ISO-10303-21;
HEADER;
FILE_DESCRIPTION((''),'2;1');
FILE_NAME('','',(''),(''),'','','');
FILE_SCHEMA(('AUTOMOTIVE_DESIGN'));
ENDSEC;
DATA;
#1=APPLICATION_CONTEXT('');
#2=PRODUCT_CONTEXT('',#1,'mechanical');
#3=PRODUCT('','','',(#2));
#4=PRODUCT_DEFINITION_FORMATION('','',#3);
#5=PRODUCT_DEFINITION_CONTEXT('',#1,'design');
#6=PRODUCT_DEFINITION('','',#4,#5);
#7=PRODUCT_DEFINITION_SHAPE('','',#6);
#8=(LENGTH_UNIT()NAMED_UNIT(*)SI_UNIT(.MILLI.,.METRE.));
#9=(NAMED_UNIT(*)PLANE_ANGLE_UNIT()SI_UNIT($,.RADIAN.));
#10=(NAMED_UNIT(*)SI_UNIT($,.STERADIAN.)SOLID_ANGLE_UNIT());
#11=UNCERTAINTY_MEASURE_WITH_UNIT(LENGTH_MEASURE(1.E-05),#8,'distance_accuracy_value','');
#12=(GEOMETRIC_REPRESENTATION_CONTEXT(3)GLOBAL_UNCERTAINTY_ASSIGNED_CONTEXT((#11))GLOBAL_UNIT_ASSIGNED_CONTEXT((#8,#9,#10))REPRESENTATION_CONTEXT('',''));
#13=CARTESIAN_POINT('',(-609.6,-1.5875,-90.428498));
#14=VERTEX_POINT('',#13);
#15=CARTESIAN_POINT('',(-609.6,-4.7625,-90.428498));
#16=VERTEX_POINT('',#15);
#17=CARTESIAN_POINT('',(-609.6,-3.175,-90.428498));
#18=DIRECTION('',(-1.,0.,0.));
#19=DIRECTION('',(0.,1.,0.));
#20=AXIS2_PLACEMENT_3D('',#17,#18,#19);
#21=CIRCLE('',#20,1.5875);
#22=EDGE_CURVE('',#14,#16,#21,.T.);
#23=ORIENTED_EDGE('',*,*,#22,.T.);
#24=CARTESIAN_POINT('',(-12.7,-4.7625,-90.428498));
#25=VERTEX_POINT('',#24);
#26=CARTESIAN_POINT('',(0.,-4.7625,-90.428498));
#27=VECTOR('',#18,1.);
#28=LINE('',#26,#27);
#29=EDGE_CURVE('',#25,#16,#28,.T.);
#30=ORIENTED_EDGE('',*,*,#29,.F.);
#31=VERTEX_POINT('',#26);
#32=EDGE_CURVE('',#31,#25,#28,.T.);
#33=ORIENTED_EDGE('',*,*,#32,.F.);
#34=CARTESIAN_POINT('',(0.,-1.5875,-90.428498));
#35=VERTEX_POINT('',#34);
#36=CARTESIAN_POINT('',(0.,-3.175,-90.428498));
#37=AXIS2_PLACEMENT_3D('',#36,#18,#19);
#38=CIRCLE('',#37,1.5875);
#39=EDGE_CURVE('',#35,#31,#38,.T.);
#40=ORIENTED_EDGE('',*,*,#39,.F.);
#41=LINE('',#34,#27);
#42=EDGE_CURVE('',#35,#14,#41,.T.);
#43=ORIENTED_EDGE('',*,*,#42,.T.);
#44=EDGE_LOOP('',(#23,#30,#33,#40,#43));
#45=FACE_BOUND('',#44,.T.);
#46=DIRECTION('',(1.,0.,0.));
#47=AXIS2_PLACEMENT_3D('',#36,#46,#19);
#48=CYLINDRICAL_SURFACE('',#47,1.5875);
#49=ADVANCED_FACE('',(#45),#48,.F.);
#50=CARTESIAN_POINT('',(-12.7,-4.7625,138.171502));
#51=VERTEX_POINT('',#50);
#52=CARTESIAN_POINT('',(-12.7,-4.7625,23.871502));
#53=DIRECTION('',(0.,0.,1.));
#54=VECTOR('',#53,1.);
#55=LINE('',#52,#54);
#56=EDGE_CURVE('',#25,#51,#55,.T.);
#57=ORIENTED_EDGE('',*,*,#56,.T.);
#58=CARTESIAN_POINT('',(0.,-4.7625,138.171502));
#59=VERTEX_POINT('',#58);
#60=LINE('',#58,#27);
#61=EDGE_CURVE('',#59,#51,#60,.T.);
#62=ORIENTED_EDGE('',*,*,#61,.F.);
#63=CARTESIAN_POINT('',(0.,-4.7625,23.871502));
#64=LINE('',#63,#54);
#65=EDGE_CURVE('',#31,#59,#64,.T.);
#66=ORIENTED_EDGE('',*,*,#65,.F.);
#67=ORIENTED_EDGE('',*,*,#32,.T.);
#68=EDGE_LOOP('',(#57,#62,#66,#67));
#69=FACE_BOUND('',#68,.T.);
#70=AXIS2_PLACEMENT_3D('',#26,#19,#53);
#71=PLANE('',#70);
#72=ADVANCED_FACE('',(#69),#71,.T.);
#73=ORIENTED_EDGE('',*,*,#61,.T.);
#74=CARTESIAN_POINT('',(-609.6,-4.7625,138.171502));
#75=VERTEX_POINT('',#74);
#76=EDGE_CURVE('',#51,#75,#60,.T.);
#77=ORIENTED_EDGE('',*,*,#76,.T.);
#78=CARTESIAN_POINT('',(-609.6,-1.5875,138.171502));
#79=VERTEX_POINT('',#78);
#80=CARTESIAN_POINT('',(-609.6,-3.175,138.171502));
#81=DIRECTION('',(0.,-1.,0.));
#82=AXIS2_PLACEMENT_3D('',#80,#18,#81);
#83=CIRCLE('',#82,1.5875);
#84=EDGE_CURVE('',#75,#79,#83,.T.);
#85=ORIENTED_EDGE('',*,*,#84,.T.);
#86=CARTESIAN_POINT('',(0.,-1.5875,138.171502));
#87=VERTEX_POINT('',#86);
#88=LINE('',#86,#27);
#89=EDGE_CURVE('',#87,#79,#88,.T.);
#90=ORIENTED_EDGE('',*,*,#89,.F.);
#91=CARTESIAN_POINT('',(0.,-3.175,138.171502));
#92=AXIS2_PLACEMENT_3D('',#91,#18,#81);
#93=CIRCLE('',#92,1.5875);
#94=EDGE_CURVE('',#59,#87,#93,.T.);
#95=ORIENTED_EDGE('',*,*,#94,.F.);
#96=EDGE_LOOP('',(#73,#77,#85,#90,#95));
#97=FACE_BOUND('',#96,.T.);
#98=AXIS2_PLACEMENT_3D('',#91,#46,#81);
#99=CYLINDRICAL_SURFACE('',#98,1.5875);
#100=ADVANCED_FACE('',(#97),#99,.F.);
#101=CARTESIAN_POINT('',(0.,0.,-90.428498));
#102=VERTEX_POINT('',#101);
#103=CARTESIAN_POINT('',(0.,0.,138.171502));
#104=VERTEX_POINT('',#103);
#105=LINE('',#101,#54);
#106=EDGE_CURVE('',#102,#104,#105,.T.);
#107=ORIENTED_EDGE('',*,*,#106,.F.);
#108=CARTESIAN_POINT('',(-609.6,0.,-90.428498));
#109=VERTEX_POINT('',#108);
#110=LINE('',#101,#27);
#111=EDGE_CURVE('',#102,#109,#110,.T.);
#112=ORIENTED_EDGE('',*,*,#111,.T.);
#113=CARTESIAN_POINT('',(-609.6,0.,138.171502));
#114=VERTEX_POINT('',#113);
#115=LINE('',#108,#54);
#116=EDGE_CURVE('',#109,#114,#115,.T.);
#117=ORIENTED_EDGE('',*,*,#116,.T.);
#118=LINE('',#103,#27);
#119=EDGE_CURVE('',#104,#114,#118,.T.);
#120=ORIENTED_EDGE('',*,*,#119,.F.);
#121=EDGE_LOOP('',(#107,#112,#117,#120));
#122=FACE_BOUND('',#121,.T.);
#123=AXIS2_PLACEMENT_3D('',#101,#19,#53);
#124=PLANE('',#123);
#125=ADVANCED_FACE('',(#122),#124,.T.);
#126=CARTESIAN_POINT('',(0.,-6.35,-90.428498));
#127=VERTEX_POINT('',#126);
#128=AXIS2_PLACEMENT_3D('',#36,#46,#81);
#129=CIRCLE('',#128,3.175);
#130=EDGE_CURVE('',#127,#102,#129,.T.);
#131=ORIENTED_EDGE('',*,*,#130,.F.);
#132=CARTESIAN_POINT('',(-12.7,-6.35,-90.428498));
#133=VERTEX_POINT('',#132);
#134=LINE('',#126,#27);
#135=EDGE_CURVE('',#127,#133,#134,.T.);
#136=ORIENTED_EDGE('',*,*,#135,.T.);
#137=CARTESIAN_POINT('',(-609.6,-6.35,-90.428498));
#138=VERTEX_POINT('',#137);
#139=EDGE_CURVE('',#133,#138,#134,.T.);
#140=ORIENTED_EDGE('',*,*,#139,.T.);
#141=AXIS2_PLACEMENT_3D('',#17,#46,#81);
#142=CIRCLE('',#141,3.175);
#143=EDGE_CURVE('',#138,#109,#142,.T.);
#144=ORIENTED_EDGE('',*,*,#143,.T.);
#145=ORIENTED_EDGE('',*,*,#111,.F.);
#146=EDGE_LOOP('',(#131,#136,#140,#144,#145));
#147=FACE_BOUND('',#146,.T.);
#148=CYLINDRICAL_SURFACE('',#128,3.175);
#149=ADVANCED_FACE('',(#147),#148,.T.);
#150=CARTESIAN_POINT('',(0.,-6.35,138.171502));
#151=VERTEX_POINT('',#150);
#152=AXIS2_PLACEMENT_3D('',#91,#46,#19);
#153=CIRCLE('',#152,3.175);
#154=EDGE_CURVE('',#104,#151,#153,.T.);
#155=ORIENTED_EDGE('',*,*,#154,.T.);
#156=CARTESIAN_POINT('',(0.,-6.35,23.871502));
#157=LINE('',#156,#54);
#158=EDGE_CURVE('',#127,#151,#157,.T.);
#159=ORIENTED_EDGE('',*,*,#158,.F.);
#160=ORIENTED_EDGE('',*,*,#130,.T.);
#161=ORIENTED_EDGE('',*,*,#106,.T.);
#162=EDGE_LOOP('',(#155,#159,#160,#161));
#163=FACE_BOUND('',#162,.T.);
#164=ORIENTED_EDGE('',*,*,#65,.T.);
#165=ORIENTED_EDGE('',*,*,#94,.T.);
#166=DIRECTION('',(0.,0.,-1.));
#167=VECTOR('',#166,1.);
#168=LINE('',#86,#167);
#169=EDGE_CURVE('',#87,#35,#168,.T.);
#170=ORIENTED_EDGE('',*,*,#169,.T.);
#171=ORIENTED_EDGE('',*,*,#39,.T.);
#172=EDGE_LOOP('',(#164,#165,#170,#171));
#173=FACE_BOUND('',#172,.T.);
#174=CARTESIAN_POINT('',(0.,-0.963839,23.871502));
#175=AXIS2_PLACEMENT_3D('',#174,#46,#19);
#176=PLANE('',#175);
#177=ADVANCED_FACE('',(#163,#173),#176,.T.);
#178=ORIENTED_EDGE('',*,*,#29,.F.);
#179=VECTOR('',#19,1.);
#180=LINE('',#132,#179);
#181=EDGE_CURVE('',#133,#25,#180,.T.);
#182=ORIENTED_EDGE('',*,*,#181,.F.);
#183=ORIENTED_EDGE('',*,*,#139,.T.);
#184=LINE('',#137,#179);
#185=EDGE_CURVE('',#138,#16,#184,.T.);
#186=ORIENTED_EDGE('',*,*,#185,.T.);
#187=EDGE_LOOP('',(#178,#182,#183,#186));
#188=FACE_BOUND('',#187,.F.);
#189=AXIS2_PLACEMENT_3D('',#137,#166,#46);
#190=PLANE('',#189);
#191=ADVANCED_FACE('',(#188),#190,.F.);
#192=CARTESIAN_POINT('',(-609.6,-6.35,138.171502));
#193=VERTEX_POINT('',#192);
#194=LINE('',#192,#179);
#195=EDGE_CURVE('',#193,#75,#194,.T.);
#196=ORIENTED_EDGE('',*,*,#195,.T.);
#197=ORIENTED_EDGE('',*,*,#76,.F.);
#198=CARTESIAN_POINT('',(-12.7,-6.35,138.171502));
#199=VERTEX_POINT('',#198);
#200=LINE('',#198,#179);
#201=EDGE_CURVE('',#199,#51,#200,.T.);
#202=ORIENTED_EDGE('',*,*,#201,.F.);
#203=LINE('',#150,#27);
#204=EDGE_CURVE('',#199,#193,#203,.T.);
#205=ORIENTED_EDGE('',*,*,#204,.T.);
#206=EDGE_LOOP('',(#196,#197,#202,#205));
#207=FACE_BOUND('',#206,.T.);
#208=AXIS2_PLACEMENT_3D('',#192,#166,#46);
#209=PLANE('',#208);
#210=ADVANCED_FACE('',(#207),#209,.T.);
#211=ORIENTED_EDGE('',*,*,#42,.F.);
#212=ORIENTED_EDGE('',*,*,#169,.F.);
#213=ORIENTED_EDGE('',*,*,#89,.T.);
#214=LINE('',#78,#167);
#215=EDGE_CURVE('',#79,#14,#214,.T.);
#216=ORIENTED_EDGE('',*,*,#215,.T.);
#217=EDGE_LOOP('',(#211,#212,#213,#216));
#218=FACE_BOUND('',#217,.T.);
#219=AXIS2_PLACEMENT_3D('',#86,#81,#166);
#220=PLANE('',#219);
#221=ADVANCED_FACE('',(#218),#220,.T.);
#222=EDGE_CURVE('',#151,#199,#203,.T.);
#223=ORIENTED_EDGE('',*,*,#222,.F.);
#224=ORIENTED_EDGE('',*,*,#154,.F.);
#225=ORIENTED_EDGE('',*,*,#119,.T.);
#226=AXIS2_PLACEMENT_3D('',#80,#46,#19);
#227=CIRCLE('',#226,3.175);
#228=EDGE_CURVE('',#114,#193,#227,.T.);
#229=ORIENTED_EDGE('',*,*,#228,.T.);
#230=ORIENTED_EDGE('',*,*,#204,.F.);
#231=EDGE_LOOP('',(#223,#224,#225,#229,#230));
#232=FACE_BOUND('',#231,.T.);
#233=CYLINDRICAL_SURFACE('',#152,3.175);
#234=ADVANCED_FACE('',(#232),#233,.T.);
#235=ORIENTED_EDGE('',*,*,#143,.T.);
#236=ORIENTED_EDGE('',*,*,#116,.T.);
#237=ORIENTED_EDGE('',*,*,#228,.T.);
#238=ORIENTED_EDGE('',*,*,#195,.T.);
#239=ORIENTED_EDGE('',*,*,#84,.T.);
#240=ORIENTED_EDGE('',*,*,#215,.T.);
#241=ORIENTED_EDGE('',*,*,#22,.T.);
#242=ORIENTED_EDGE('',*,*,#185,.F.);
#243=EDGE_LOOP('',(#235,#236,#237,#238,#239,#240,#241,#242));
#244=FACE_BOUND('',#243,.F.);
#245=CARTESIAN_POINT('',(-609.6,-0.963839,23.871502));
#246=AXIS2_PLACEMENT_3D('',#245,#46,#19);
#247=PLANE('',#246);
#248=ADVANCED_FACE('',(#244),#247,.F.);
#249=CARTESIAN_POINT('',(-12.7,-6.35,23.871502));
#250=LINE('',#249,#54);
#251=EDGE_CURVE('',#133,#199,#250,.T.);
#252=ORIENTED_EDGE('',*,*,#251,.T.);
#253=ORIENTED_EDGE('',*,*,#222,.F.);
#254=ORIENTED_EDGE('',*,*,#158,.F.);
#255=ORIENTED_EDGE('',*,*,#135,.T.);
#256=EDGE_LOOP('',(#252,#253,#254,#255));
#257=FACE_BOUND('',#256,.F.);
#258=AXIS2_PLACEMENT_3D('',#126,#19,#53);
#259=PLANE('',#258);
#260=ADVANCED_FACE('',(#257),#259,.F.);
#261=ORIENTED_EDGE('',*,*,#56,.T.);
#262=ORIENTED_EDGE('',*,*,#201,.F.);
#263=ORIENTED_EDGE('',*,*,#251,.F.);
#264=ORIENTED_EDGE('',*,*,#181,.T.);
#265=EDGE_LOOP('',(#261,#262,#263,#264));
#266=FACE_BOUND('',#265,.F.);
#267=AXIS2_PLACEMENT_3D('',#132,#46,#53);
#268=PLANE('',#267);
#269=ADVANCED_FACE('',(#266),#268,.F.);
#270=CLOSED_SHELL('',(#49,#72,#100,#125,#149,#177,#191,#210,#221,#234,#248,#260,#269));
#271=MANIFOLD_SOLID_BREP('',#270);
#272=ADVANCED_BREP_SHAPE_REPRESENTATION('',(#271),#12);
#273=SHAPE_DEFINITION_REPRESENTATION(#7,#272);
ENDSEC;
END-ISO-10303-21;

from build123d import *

# Parameters (mm, degrees)
F0_W     = 1.5875
F0_H     = 228.6
F1_DEPTH = 609.6
F2_W     = 596.9
F2_H     = 228.6
F3_DEPTH = 1.5875


with BuildPart() as f1:
    # F0 (on Right) → F1 (new body)
    with BuildSketch(Plane.YZ):
        with BuildLine():
            ThreePointArc((-6.35, -90.428498), (-3.175, -93.603498), (0, -90.428498))
            Line((0, -90.428498), (0, 138.171502))
            ThreePointArc((0, 138.171502), (-3.175, 141.346502), (-6.35, 138.171502))
            Line((-6.35, 138.171502), (-4.7625, 138.171502))
            ThreePointArc((-4.7625, 138.171502), (-3.175, 139.759002), (-1.5875, 138.171502))
            Line((-1.5875, 138.171502), (-1.5875, -90.428498))
            ThreePointArc((-1.5875, -90.428498), (-3.175, -92.015998), (-4.7625, -90.428498))
            Line((-4.7625, -90.428498), (-6.35, -90.428498))
        make_face()
        with Locations((-5.55625, 23.871502)):
            Rectangle(F0_W, F0_H)
    extrude(amount=-F1_DEPTH)

    # F2 (on face) → F3 (cut, through all)
    with BuildSketch(Plane.XZ.offset(6.35)):
        with Locations((-311.15, 23.871502)):
            Rectangle(F2_W, F2_H)
    extrude(amount=-F3_DEPTH, mode=Mode.SUBTRACT)


solid = f1.part
